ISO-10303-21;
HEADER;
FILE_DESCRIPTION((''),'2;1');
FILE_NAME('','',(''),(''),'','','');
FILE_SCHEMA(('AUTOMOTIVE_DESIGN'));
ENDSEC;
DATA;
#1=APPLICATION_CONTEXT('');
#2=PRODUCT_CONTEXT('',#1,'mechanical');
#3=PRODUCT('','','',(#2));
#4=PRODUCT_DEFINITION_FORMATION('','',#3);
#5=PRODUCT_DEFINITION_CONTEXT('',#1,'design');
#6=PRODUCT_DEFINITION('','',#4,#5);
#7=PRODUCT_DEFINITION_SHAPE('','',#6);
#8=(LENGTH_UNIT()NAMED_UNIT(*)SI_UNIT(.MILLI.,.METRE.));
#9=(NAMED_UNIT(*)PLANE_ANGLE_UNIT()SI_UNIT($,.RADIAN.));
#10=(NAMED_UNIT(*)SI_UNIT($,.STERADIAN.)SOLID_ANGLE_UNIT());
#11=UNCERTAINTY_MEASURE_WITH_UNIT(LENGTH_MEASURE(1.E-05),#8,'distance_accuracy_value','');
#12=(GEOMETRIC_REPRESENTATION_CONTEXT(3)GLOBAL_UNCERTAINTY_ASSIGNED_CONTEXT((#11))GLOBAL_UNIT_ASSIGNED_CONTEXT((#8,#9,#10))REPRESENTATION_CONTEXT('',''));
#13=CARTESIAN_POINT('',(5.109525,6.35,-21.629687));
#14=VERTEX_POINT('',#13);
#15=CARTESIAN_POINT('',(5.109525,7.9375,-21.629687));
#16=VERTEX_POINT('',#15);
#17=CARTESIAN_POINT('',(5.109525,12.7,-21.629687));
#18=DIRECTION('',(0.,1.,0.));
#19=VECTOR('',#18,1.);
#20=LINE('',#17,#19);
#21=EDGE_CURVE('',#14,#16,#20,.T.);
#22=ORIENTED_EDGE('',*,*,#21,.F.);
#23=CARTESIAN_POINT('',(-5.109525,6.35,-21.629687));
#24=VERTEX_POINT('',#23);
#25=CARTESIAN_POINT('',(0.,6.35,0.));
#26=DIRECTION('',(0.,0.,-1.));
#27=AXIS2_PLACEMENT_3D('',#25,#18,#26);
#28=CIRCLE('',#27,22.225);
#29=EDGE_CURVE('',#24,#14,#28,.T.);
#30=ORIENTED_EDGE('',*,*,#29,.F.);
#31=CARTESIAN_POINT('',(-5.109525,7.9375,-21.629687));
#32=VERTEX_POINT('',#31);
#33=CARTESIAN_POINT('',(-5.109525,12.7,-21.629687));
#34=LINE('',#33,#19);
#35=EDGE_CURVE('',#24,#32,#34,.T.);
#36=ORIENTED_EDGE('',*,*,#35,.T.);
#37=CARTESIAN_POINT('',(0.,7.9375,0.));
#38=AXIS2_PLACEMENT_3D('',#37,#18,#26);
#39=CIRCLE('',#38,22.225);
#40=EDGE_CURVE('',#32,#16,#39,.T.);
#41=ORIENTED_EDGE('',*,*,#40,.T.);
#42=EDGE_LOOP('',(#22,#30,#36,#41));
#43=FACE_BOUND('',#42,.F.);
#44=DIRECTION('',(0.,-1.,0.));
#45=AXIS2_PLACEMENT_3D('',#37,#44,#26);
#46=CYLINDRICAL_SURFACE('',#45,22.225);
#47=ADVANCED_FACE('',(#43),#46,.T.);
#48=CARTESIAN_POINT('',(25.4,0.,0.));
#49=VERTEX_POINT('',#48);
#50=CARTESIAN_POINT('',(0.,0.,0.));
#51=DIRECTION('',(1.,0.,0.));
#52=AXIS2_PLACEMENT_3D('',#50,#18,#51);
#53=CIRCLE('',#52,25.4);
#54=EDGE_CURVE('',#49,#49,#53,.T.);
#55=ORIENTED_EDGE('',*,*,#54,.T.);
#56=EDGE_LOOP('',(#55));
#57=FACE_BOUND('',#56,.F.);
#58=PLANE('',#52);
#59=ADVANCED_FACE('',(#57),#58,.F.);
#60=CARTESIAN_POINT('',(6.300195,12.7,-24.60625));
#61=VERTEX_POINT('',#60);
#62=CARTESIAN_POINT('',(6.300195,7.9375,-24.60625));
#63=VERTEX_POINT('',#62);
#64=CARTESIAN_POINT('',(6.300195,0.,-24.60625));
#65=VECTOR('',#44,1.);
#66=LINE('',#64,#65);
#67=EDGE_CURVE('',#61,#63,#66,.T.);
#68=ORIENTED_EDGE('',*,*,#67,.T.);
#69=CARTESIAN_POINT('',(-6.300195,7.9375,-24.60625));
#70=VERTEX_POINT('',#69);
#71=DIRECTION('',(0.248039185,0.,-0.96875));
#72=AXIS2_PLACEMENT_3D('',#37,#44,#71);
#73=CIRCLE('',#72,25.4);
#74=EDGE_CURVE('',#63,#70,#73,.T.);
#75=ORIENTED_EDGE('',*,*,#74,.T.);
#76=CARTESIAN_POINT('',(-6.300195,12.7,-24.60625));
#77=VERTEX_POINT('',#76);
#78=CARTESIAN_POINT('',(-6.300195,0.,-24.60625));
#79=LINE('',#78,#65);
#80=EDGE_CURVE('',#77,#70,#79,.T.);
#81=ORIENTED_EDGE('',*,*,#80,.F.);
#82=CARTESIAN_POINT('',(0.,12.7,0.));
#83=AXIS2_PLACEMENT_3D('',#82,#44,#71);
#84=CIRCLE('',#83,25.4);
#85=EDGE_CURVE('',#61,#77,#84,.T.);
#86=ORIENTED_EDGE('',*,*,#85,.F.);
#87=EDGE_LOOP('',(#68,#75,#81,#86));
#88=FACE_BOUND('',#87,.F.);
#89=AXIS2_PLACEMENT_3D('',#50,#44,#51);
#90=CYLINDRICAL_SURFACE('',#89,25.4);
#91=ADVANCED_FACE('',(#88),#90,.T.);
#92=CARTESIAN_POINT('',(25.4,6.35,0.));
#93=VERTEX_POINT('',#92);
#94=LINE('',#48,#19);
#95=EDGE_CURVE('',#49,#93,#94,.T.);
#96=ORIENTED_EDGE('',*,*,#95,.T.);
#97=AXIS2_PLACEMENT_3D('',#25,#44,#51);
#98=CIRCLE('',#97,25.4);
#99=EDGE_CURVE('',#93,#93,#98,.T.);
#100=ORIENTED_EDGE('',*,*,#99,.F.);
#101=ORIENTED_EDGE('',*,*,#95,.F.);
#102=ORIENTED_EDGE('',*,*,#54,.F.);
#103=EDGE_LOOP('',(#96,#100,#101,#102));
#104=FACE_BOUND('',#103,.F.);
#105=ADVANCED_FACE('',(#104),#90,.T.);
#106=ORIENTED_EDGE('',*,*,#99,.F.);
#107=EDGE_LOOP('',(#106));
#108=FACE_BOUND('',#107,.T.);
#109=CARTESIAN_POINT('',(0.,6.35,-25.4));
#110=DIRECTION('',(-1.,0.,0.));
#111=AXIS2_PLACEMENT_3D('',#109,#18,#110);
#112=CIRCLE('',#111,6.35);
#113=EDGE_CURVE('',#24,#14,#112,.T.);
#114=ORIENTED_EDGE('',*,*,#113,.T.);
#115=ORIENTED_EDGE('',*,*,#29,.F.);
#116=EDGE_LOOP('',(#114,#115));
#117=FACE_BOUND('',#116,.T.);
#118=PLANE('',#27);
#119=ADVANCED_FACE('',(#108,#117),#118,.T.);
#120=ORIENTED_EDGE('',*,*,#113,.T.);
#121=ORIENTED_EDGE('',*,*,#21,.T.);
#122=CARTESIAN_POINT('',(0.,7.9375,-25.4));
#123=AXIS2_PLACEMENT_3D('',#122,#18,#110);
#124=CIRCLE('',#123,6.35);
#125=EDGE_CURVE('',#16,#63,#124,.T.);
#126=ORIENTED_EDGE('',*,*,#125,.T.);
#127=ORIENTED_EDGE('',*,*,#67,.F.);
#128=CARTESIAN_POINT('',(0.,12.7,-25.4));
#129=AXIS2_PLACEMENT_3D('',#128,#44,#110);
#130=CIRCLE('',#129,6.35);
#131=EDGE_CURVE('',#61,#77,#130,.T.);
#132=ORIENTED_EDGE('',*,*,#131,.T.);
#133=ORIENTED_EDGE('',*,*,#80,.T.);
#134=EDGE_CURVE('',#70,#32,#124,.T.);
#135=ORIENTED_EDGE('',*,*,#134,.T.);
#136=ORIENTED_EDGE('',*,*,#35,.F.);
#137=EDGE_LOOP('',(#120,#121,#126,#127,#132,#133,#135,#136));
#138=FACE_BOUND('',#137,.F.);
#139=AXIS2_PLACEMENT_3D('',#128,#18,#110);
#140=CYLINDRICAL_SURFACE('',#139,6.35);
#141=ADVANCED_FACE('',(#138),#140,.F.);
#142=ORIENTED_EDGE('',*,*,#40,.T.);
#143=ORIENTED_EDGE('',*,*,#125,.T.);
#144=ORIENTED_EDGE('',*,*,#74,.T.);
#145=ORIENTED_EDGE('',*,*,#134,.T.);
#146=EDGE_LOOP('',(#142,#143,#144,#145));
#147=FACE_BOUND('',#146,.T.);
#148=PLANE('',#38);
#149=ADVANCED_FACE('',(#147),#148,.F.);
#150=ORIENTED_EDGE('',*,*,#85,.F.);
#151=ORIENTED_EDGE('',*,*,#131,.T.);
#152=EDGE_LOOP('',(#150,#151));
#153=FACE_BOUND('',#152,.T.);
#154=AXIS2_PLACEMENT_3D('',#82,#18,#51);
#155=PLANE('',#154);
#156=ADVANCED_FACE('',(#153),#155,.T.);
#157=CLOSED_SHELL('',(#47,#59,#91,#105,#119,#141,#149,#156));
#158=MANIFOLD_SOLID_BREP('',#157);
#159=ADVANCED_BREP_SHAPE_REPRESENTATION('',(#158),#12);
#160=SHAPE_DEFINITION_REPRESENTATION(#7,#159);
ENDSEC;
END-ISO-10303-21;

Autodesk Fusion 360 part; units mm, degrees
sketch "Sketch1" plane through (0, 0, 0) normal (0, 1, 0) x (1, 0, 0)
  circle A0 centre (0, 0) radius 25.4
  dimension "d1" = 50.8
extrude "Extrude1" add sketch "Sketch1" along normal blind 12.7
sketch "Sketch2" plane through (0, 12.7, 0) normal (0, 1, 0) x (-1, 0, 0)
  circle A0 centre (0, 0) radius 25.4
  circle A1 centre (0, -25.4) radius 6.35
  dimension "d4" = 12.7
extrude "Extrude2" cut sketch "Sketch2" against normal blind 6.35 contours A0 A1 | A0 A1 picked at (-1.9477, -23.4128) picked at (2.1308, -27.1585)
sketch "Sketch3" plane through (0, 12.7, 0) normal (0, 1, 0) x (-1, 0, 0)
  arc A0 (6.3002, -24.6062) -> (-6.3002, -24.6062) centre (0, -25.4) ccw
  arc A1 (6.3002, -24.6063) -> (-6.3002, -24.6062) centre (0, 0) ccw
  circle A2 centre (0, -10.795) radius 4.7625
  circle A3 centre (0, -10.795) radius 2.5527
  dimension "d7" = 9.525
  dimension "d8" = 10.795
  dimension "d9" = 5.1054
sketch "Sketch4" plane through (0, 0, 0) normal (1, 0, 0) x (0, 0, -1)
  line L0 (25.4, 0) -> (25.4, 6.35)
  line L1 (-25.4, 12.7) -> (-25.4, 0)
  line L2 (19.05, 6.35) -> (24.6062, 6.35)
  line L3 (25.4, 6.35) -> (22.225, 6.35)
  line L4 (22.225, 7.9375) -> (25.4, 7.9375)
  line L5 (25.4, 7.9375) -> (25.4, 6.35)
  line L6 (22.225, 7.9375) -> (22.225, 6.35)
  dimension "d12" = 3.175
  dimension "d13" = 1.5875
revolve "Revolve1" cut sketch "Sketch4" angle 360 about axis through (0, 1.75, 0) along (0, 1, 0)
